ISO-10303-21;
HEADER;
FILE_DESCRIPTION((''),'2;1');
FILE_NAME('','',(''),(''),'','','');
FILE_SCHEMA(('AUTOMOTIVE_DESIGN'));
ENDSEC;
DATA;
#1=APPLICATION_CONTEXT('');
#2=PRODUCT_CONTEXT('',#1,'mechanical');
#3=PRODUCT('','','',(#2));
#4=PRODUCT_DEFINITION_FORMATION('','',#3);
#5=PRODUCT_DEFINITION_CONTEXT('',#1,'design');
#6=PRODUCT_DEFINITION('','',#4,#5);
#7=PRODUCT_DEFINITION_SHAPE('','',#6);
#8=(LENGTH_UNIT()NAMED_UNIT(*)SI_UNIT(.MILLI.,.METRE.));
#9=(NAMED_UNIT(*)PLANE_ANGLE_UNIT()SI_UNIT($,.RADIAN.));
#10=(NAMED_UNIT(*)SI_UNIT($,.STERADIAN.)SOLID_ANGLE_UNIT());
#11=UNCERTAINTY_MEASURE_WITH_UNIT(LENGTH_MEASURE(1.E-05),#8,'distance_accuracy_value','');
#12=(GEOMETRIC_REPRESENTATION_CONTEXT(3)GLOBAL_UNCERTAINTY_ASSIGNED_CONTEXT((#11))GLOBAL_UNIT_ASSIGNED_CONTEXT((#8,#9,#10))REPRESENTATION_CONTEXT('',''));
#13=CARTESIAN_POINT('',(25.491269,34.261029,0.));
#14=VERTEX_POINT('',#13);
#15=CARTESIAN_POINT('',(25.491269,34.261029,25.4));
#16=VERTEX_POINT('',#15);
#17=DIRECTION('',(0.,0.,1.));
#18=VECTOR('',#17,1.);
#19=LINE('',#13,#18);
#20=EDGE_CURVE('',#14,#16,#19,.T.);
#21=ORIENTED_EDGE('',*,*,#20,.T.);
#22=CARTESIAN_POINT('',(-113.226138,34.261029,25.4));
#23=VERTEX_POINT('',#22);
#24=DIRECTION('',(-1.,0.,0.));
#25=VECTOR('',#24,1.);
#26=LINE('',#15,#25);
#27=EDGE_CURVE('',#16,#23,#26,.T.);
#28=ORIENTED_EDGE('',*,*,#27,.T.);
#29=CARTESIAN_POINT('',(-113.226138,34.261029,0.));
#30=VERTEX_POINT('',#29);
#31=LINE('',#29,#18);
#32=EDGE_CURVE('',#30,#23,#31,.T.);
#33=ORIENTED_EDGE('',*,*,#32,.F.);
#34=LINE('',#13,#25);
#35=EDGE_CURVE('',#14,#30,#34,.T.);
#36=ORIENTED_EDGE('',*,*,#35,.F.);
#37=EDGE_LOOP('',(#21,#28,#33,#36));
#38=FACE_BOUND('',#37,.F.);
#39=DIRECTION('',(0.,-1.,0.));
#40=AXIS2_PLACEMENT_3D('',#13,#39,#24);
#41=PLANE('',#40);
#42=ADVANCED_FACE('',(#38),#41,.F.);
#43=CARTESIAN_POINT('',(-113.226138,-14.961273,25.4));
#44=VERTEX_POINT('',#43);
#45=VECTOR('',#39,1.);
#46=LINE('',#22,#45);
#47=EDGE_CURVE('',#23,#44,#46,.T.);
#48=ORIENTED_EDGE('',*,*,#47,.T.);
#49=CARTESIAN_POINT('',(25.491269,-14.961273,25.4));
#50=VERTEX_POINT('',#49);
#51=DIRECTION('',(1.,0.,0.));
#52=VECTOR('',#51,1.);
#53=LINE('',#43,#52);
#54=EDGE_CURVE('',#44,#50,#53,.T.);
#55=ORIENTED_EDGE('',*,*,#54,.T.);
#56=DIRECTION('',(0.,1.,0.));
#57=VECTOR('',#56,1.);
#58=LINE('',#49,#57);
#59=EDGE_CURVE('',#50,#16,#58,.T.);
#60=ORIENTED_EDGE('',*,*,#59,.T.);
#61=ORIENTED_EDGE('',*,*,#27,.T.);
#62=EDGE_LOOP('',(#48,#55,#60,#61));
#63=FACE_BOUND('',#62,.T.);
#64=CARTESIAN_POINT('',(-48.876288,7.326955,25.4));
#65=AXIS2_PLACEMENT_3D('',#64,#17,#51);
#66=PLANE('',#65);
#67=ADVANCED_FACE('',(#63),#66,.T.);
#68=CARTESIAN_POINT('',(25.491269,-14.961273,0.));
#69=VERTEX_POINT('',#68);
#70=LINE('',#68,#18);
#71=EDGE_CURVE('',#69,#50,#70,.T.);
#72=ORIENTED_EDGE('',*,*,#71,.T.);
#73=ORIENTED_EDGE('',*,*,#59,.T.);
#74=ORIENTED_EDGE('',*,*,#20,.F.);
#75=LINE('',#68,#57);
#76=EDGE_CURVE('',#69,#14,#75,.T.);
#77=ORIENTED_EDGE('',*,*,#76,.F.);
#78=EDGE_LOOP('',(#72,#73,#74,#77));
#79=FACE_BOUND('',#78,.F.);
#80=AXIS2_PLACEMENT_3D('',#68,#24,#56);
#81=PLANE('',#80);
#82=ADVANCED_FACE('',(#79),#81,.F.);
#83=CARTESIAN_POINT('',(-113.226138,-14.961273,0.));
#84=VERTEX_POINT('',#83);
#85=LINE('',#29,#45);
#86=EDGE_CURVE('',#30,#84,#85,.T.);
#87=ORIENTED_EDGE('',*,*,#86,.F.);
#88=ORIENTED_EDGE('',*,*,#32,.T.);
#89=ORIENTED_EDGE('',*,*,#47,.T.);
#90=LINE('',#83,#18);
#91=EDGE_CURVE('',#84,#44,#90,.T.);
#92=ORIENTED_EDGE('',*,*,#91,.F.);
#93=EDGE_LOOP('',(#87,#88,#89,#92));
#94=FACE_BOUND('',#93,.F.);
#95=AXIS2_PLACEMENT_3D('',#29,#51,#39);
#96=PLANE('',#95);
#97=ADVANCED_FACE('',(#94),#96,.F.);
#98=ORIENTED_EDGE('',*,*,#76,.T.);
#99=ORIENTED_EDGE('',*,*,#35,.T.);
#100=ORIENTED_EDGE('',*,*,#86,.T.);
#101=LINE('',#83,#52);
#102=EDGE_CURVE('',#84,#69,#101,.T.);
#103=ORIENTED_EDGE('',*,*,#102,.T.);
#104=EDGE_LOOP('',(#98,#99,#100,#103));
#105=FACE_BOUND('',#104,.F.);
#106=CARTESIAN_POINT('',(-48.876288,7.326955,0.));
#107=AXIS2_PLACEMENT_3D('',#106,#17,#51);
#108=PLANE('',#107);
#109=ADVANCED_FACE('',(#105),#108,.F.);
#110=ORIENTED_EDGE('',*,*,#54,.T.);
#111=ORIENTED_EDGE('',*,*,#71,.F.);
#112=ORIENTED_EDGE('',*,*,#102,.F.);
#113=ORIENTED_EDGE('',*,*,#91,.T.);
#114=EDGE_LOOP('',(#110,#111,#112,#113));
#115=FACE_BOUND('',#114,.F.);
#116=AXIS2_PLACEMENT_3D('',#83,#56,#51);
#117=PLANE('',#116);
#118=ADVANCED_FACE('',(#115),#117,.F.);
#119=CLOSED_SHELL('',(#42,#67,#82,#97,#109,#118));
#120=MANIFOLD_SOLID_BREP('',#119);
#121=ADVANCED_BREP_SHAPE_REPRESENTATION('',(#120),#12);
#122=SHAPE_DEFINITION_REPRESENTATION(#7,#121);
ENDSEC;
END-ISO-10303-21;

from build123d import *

# Parameters (mm, degrees)
F1_DEPTH = 25.4


with BuildPart() as f1:
    # F0 (on Top) → F1 (new body)
    with BuildSketch(Plane.XY):
        with BuildLine():
            Line((-1.139296, 34.261029), (-113.226138, 34.261029))
            Line((-113.226138, 34.261029), (-113.226138, -14.961273))
            Line((-113.226138, -14.961273), (25.491269, -14.961273))
            Line((25.491269, -14.961273), (25.491269, -13.992183))
            ThreePointArc((25.491269, -13.992183), (2.501831, 4.795333), (-1.139296, 34.261029))
        make_face()
        with BuildLine():
            Line((25.491269, 34.261029), (-1.139296, 34.261029))
            ThreePointArc((-1.139296, 34.261029), (2.501831, 4.795333), (25.491269, -13.992183))
            Line((25.491269, -13.992183), (25.491269, 34.261029))
        make_face()
    extrude(amount=F1_DEPTH)


solid = f1.part
